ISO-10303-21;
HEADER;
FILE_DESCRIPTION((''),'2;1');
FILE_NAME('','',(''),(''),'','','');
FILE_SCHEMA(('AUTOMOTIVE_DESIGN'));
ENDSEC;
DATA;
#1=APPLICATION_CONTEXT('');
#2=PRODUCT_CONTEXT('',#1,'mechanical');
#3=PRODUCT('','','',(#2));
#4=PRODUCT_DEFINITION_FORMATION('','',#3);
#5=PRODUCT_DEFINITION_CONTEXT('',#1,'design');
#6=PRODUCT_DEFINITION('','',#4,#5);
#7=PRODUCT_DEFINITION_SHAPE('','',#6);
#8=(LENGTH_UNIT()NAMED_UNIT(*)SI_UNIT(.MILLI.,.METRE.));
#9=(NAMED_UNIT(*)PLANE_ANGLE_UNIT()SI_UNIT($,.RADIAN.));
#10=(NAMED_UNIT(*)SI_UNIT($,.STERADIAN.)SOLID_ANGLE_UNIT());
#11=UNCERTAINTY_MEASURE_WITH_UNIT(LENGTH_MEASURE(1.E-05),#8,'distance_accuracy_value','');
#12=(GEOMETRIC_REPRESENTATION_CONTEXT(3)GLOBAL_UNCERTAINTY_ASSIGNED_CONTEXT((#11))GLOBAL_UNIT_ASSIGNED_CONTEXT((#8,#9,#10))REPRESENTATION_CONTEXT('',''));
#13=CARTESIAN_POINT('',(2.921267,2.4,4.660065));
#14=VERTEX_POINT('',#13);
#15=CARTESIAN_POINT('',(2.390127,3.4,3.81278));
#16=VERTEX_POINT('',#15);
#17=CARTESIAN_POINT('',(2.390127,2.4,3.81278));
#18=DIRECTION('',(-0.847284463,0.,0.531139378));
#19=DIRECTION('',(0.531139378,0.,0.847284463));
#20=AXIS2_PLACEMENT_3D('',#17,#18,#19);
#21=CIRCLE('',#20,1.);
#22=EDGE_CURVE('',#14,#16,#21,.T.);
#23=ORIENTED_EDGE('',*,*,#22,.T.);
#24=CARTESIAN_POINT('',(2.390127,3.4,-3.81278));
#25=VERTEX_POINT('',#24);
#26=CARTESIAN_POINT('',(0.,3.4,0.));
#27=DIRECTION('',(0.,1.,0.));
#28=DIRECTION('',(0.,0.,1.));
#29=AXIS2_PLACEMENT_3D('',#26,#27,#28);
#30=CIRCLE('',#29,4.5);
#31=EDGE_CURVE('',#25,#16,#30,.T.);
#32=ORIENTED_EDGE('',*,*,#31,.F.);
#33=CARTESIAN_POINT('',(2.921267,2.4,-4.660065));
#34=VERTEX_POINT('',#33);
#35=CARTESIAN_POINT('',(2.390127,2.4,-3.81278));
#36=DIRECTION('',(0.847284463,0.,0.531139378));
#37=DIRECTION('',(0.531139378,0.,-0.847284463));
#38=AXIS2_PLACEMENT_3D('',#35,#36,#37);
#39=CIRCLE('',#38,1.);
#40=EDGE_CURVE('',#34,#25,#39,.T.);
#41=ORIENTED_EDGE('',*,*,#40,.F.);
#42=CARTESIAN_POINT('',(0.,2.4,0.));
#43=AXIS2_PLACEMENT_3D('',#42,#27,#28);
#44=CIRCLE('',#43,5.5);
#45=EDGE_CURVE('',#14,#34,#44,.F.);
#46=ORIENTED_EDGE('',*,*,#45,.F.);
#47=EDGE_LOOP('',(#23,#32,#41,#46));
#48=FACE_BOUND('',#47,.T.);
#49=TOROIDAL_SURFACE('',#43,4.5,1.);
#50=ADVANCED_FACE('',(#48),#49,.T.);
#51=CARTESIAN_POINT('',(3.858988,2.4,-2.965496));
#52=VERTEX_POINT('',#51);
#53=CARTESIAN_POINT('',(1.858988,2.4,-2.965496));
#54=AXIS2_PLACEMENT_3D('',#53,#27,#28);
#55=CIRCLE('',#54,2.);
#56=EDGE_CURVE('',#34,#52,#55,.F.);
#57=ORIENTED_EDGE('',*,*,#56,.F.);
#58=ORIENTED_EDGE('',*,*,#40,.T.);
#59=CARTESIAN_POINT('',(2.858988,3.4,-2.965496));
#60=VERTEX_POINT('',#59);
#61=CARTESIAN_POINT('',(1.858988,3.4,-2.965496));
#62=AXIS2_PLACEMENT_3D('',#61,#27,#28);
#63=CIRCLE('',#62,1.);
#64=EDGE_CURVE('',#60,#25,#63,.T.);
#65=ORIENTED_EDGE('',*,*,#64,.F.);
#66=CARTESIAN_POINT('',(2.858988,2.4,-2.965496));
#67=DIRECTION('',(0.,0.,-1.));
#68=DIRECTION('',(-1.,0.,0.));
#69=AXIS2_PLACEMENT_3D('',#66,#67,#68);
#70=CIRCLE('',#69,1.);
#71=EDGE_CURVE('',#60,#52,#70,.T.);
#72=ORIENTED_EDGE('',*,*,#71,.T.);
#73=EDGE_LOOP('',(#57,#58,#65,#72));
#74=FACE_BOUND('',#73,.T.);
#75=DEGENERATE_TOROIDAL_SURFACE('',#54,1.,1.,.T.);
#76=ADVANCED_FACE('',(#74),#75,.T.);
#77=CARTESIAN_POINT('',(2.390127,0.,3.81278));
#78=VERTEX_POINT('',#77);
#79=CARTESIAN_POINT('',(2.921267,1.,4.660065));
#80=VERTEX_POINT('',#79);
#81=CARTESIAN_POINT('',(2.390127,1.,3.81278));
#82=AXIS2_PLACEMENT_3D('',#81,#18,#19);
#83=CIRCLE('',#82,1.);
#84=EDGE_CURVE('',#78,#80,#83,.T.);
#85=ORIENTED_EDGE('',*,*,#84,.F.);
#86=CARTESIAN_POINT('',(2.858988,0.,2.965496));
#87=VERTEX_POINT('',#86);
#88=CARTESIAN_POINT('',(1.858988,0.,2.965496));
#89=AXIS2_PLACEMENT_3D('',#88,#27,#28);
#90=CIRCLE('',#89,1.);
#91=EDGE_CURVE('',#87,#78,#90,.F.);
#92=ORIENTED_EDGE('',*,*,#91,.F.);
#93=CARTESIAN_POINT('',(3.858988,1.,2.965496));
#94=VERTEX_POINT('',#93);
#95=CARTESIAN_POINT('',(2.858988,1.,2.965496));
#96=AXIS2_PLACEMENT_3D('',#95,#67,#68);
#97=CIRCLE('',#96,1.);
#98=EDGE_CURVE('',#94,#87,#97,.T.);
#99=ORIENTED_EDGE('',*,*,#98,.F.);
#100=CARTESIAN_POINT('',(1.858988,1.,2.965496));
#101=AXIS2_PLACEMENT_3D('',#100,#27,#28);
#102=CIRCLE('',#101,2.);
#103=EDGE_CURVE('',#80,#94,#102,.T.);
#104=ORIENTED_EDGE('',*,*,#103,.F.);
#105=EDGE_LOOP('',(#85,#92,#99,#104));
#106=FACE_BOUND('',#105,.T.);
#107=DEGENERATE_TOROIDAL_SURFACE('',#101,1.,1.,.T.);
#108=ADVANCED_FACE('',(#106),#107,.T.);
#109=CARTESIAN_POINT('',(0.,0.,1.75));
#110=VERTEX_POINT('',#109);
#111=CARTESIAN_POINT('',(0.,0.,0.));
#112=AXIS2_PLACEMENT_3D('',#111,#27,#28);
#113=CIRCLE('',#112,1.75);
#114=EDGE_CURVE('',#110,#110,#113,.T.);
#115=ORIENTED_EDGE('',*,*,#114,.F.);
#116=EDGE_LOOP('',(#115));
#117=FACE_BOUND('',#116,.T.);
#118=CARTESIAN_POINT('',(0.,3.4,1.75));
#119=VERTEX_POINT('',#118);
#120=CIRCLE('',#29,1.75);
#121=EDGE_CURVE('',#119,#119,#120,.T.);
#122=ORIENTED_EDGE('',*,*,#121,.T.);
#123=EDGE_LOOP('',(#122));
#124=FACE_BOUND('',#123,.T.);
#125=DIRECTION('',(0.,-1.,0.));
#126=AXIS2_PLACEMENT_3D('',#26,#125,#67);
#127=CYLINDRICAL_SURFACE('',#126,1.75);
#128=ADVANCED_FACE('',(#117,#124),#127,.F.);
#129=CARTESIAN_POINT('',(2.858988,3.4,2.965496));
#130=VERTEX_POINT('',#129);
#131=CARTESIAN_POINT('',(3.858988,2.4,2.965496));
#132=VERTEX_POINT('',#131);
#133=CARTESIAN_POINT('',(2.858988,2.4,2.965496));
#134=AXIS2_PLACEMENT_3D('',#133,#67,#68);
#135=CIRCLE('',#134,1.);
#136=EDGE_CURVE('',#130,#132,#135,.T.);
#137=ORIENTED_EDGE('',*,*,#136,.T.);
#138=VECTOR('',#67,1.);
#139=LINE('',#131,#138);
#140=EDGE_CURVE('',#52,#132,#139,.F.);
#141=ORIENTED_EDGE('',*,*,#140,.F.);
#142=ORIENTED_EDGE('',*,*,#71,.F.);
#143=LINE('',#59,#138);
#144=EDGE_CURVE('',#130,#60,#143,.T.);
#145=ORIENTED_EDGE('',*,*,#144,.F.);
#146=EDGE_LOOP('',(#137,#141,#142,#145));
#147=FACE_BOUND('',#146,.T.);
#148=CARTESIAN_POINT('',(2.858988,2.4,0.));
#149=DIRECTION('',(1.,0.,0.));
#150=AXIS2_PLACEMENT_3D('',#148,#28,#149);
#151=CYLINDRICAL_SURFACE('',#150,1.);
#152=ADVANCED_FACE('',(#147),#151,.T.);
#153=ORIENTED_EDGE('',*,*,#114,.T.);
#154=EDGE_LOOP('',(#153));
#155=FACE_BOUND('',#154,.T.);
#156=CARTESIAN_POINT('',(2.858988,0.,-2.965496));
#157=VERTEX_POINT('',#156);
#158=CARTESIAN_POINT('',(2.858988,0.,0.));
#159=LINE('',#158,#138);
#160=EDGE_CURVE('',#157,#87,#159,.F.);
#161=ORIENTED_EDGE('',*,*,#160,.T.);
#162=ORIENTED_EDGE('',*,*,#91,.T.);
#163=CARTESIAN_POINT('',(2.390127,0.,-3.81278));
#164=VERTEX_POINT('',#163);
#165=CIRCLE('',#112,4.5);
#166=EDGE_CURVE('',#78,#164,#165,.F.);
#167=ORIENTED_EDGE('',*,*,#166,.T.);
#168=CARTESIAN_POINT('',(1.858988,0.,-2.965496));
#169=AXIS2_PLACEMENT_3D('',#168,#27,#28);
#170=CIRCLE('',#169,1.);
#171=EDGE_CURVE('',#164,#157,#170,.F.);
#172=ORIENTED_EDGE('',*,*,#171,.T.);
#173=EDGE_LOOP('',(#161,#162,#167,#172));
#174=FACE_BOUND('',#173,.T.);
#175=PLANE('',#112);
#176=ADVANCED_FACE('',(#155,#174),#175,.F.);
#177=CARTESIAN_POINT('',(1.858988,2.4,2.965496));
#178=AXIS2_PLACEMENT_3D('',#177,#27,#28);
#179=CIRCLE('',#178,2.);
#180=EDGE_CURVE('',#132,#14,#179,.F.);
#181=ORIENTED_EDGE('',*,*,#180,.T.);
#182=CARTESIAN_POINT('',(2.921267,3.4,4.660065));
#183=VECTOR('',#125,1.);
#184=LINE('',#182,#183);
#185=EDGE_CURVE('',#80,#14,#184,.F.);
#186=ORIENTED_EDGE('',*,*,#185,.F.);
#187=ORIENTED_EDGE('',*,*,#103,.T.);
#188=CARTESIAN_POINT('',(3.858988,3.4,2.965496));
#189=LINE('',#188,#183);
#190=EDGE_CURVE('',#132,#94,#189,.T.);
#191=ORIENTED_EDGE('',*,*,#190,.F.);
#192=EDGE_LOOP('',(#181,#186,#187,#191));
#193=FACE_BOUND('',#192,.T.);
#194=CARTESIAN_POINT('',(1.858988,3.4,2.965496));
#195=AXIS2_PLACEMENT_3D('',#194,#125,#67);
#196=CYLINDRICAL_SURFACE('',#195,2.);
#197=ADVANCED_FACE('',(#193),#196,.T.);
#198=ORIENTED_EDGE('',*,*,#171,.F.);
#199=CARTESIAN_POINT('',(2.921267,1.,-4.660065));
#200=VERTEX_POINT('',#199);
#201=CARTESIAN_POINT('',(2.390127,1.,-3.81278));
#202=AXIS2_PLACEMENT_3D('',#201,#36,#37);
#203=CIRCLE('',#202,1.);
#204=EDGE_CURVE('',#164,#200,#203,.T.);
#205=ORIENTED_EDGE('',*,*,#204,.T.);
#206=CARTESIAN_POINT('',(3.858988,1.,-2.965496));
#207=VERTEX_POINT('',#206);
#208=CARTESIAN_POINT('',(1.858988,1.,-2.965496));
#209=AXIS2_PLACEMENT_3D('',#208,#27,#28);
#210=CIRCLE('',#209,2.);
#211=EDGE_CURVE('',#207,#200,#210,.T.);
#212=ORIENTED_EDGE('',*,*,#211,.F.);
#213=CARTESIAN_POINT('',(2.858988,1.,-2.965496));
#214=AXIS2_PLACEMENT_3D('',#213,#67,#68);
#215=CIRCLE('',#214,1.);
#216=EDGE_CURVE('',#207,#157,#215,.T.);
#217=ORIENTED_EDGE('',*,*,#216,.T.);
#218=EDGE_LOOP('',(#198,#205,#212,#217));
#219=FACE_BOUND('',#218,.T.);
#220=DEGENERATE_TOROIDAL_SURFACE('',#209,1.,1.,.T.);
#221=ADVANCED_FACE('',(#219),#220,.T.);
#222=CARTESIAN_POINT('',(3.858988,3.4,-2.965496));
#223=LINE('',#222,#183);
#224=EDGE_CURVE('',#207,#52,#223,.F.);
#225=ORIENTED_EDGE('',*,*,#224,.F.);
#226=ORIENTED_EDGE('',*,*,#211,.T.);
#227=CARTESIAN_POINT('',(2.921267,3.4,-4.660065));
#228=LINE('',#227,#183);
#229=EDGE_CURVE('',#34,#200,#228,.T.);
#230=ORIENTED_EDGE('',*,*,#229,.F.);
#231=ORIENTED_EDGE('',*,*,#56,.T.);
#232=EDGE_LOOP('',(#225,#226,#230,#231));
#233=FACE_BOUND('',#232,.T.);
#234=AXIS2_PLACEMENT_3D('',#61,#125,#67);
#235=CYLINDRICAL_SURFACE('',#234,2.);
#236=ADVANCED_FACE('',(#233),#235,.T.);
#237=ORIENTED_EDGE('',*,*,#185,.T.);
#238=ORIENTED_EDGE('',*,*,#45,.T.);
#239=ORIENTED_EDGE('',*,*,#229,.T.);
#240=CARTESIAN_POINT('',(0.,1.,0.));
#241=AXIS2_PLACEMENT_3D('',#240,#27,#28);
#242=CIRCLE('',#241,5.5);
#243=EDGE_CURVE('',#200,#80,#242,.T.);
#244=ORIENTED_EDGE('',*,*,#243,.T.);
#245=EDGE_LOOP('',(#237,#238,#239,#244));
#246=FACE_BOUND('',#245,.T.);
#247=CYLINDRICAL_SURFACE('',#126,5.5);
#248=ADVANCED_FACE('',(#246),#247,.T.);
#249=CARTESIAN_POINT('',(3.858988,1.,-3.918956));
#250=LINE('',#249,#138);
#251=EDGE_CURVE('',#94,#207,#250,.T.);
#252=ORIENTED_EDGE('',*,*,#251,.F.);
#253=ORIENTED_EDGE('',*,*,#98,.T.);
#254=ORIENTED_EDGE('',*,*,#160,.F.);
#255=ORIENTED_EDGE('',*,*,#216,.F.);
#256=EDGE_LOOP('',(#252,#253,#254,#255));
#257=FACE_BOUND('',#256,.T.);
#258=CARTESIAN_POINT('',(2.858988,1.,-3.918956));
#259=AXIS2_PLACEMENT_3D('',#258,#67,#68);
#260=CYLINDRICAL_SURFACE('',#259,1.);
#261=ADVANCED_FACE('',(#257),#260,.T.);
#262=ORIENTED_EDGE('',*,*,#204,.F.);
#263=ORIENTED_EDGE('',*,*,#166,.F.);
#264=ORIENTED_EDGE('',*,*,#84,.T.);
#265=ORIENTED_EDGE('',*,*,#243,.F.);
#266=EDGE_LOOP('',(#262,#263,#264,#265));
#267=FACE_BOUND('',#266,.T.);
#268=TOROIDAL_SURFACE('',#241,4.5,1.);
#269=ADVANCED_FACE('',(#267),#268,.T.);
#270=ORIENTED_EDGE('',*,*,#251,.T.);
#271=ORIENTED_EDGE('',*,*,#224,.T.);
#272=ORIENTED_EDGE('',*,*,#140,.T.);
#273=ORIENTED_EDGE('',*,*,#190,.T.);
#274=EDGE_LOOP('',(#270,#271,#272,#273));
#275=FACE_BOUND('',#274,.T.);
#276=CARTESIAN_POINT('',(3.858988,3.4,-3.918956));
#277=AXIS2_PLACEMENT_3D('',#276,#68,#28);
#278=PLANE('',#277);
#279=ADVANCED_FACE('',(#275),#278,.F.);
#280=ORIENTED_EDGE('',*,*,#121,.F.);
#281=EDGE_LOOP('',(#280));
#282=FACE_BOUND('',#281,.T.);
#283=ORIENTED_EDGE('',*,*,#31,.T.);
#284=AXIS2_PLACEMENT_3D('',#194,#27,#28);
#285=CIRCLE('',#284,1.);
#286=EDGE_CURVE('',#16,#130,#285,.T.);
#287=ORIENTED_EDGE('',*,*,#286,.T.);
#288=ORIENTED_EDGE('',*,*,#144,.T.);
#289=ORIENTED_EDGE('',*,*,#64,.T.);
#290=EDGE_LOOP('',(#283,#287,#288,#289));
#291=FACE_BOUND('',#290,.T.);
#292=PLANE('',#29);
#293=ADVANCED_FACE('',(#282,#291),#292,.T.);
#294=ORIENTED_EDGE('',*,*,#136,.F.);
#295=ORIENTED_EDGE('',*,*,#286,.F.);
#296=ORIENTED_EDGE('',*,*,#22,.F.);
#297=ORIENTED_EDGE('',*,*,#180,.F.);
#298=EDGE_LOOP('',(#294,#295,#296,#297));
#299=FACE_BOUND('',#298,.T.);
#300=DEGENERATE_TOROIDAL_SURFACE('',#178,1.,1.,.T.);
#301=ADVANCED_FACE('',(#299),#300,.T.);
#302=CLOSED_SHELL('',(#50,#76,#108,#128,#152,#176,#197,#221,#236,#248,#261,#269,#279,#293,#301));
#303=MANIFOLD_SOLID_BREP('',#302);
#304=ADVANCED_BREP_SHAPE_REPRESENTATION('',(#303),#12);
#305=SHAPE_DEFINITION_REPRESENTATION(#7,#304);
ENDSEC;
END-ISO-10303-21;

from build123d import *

# Parameters (mm, degrees)
CROQUIS1_R              = 1.75
SALIENTE_EXTRUIR1_DEPTH = 3.4
REDONDEO1_R             = 2
REDONDEO2_R             = 1


with BuildPart() as part:
    # Croquis1 → Saliente-Extruir1 (new body)
    with BuildSketch(Plane(origin=(0, 0, 0), x_dir=(1, 0, 0), z_dir=(0, 1, 0))):
        with BuildLine():
            Line((3.858987824, 3.918955597), (3.858987824, -3.918955597))
            ThreePointArc((3.858987824, -3.918955597), (-5.5, 0), (3.858987824, 3.918955597))
        make_face()
        with Locations(Location((0, 0, 0), (0, 0, 270))):
            Circle(CROQUIS1_R, mode=Mode.SUBTRACT)
    extrude(amount=SALIENTE_EXTRUIR1_DEPTH)

    # Redondeo1
    redondeo1_edges = [part.edges().sort_by_distance(p)[0] for p in [
        (3.858987824, 1.7, -3.918955597),
        (3.858987824, 1.7, 3.918955597),
    ]]
    fillet(redondeo1_edges, radius=REDONDEO1_R)

    # Redondeo2
    redondeo2_edges = [part.edges().sort_by_distance(p)[0] for p in [
        (3.858987824, 0, 0),
        (3.858987824, 3.4, 0),
        (-5.5, 0, 0),
        (3.60892461, 0, -3.933855699),
        (3.60892461, 0, 3.933855699),
        (-5.5, 3.4, 0),
        (3.60892461, 3.4, -3.933855699),
        (3.60892461, 3.4, 3.933855699),
    ]]
    fillet(redondeo2_edges, radius=REDONDEO2_R)


solid = part.part
